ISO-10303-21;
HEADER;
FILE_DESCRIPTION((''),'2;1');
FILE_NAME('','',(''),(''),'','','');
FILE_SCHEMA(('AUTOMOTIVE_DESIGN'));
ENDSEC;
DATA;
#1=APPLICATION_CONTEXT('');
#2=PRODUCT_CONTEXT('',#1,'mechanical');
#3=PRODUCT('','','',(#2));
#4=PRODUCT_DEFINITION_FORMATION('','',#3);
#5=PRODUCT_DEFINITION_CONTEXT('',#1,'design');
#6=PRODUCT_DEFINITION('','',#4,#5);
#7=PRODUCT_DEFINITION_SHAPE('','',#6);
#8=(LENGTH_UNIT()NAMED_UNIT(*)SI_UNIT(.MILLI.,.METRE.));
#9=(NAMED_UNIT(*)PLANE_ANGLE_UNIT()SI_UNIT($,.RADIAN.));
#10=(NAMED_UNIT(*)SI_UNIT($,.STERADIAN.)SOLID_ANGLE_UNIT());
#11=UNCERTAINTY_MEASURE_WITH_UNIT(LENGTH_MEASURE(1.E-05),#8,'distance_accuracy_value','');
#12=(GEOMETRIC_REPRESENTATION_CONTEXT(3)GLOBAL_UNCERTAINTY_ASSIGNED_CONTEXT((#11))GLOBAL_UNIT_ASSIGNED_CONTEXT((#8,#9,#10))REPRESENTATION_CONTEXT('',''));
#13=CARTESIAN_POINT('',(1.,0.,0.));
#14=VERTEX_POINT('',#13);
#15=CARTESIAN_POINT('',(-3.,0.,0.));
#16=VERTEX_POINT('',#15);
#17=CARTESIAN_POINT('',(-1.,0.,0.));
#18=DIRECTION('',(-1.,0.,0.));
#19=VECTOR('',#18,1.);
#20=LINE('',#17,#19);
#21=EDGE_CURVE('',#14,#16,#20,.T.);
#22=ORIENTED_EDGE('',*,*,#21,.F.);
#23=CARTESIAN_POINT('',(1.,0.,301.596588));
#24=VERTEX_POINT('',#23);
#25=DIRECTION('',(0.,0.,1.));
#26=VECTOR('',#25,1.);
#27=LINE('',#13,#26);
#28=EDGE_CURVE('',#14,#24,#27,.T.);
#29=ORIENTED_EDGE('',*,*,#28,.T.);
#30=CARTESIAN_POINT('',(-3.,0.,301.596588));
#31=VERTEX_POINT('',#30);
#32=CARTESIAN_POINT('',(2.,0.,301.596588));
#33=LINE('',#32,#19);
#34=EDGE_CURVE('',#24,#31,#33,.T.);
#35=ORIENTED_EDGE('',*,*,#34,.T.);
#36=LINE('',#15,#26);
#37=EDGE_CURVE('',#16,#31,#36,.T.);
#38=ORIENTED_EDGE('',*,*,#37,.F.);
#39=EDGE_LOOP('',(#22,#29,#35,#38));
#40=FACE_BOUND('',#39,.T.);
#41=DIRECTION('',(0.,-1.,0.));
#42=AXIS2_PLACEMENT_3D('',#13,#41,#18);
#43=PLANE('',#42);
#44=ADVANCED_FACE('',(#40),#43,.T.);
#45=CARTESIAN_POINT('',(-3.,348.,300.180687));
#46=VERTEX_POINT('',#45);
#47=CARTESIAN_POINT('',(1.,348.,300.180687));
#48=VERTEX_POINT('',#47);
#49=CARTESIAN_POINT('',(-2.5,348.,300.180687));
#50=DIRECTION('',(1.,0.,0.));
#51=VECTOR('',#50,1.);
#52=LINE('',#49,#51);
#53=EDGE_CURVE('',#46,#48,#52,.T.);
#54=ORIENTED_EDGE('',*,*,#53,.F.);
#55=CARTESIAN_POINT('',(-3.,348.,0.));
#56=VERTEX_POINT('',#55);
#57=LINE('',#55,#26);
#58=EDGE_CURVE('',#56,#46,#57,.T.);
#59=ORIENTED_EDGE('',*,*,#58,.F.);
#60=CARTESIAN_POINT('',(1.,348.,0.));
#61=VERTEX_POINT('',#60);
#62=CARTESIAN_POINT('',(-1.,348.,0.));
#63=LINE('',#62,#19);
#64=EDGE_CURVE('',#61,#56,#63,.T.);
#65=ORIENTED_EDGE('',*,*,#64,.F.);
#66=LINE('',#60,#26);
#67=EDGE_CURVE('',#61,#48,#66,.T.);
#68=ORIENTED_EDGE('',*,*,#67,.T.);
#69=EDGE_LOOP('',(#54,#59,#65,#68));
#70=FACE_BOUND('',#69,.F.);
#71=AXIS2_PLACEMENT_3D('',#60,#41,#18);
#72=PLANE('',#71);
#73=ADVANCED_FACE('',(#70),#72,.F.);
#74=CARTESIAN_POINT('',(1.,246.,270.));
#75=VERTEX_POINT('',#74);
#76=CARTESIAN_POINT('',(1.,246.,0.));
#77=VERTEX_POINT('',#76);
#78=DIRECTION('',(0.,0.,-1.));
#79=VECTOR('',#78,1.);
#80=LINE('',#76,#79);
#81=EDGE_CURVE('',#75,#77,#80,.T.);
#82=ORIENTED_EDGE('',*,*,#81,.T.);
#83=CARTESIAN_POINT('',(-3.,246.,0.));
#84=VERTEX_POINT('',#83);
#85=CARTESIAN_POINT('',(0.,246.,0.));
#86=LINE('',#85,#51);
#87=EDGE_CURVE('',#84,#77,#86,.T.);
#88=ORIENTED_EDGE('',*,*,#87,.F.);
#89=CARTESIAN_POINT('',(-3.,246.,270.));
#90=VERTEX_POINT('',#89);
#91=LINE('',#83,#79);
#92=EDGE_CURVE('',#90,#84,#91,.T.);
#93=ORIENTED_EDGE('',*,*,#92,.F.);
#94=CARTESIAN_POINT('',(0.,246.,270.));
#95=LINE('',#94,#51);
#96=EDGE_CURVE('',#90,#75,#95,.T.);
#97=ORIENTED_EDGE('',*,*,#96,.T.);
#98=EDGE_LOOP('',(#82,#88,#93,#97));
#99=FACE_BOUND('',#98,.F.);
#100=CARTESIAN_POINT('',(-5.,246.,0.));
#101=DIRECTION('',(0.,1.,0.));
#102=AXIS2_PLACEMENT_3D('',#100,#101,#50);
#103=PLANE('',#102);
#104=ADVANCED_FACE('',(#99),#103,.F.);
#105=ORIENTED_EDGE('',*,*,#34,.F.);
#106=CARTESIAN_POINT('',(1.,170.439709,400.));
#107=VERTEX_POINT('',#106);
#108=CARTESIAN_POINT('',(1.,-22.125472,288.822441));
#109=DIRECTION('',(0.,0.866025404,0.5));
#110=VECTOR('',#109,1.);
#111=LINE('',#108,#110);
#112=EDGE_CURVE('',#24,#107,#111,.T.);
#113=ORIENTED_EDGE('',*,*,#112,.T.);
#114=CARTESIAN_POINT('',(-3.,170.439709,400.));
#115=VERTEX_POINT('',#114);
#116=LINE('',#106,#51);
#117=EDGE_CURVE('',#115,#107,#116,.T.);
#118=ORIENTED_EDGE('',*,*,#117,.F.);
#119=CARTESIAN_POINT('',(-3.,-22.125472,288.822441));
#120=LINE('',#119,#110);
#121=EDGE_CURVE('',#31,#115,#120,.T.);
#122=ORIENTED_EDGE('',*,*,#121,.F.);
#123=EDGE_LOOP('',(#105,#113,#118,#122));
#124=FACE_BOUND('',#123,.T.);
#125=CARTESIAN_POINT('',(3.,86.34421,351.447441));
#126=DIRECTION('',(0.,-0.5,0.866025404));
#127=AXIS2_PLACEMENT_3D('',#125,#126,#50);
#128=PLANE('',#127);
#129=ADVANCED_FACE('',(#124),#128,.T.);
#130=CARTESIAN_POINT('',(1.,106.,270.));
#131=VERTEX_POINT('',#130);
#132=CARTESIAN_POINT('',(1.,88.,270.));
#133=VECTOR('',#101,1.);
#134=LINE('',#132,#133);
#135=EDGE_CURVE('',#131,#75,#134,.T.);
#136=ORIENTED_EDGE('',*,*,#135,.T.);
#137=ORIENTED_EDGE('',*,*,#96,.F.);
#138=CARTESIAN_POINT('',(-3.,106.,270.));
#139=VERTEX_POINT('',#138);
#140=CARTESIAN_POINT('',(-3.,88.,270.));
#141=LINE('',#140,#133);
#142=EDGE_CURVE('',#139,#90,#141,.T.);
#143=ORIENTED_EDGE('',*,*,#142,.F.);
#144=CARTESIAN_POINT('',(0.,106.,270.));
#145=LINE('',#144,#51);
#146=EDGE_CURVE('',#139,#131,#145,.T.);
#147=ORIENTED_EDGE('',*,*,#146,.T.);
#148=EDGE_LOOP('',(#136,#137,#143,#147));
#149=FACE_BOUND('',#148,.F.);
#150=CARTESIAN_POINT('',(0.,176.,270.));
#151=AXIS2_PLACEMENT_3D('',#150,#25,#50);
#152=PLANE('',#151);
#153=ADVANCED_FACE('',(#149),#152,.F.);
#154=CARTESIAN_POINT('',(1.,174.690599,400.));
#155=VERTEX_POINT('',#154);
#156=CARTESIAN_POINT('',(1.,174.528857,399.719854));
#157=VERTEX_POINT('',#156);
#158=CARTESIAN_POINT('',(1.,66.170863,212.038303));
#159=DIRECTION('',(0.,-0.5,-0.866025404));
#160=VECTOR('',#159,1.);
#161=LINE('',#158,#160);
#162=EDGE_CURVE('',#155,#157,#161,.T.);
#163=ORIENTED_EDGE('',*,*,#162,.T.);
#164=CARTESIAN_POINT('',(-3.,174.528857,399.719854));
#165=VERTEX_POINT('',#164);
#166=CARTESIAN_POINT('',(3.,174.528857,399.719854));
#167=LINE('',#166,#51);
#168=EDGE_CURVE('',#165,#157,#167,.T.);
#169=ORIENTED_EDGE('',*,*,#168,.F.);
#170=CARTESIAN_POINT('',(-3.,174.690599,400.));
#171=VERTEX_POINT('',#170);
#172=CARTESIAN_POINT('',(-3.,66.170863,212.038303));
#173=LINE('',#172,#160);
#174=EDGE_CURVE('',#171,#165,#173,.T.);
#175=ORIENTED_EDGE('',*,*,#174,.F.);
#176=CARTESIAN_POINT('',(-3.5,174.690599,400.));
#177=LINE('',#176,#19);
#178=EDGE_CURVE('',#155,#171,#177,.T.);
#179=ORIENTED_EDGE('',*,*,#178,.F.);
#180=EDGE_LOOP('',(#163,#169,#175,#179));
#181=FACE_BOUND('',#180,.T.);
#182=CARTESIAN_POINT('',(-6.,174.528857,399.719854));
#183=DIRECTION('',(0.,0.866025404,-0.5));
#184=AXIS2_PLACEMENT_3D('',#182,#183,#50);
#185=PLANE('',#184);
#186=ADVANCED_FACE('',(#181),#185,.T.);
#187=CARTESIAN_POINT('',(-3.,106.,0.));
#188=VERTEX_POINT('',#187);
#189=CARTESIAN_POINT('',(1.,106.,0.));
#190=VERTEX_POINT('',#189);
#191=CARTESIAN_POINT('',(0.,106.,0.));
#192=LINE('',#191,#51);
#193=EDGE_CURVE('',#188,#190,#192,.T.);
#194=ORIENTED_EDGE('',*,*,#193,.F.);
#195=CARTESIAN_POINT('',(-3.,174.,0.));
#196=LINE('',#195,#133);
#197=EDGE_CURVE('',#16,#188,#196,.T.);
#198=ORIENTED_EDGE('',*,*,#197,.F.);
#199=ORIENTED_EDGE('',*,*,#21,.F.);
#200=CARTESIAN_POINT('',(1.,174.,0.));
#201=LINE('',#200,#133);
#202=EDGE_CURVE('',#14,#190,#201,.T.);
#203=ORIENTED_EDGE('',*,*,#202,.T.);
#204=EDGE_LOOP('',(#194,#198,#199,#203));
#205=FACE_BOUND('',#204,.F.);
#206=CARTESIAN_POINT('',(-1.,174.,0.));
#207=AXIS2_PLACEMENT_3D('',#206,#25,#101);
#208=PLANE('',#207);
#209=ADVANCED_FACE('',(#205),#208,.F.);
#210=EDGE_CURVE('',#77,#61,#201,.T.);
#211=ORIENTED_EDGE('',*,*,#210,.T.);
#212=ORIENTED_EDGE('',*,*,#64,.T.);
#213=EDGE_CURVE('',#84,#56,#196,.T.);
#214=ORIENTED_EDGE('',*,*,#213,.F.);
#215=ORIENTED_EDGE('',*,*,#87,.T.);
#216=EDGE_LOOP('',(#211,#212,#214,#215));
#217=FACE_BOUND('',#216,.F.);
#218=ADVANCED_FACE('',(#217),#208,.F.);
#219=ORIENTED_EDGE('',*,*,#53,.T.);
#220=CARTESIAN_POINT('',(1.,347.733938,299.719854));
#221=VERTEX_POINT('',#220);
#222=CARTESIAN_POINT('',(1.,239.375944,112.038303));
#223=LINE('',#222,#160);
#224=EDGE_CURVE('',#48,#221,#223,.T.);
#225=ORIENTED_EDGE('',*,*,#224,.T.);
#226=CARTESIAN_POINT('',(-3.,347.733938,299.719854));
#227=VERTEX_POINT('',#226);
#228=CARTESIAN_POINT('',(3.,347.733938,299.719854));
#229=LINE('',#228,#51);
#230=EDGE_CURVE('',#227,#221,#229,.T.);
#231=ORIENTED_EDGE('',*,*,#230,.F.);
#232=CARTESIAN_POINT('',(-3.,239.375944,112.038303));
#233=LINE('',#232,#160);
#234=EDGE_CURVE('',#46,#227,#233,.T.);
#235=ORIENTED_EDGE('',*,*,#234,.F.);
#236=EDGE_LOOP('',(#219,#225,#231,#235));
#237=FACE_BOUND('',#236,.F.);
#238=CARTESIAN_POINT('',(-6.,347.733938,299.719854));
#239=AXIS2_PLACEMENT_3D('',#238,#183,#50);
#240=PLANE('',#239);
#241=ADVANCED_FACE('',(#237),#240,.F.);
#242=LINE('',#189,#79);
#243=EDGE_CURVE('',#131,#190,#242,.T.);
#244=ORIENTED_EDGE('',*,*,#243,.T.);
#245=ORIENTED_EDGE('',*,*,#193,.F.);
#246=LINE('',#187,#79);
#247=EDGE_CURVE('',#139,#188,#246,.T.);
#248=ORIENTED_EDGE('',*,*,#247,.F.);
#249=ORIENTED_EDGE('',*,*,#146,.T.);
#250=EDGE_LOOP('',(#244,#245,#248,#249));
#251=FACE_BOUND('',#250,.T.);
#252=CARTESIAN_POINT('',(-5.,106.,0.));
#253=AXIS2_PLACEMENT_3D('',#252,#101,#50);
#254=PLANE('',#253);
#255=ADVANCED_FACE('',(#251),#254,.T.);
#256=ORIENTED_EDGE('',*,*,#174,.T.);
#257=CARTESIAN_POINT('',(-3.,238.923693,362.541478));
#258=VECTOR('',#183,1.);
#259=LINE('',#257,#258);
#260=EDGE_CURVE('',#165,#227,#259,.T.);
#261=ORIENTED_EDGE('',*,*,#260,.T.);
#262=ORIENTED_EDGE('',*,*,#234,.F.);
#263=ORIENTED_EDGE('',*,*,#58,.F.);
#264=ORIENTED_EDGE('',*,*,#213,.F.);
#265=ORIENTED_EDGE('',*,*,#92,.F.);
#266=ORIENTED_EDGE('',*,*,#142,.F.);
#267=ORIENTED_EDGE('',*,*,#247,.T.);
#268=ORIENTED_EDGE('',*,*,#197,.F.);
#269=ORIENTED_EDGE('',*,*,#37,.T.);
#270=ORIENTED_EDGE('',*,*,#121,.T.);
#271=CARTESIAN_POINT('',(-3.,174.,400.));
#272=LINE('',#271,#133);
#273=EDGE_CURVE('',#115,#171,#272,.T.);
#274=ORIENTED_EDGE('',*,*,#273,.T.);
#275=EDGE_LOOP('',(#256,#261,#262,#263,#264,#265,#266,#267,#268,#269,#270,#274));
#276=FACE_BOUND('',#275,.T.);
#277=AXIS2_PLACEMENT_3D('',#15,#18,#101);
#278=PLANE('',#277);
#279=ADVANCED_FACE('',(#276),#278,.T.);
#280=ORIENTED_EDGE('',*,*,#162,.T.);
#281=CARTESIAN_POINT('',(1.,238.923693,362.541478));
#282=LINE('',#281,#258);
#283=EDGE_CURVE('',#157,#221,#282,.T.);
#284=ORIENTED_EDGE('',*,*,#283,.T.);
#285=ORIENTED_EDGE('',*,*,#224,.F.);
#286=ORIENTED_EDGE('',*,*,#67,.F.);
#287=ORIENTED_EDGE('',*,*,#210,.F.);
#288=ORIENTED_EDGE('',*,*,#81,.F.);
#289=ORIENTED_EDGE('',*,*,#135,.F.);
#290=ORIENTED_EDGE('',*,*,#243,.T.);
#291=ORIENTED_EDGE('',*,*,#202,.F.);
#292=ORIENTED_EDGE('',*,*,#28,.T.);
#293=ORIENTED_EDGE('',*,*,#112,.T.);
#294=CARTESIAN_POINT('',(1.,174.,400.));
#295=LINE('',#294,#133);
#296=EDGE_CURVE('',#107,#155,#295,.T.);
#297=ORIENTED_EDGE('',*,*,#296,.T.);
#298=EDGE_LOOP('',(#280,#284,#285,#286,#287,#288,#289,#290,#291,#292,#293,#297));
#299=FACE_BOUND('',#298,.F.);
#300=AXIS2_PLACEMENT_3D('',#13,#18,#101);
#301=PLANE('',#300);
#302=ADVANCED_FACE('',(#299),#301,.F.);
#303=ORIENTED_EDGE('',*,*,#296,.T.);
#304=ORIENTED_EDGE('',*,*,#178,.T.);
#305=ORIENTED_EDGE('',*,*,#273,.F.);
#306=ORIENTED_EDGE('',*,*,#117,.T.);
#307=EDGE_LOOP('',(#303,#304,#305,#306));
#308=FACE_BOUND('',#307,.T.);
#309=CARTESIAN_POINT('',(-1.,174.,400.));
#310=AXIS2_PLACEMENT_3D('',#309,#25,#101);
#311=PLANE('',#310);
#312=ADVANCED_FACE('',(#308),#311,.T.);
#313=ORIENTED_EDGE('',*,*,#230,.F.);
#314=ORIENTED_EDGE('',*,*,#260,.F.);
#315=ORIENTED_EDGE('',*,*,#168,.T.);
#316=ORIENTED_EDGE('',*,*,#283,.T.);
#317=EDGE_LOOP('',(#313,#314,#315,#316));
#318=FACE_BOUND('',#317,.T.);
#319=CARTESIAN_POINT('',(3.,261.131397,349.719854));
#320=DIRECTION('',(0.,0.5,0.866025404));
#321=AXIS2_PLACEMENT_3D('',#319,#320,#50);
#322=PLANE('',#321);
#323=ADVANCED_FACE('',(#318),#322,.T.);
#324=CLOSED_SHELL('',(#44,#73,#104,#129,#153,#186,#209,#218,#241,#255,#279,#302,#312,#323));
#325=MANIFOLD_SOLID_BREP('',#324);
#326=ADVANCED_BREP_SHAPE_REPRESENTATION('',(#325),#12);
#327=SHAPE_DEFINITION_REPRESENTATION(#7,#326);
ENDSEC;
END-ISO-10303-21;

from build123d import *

# Parameters (mm, degrees)
BOX013_W               = 10
BOX013_H               = 140
BOX013_DEPTH           = 270
BOX009_W               = 18
BOX009_H               = 200
BOX009_DEPTH           = 87
BOX009_PLACEMENT_ANGLE = 30
BOX008_W               = 18
BOX008_H               = 200
BOX008_DEPTH           = 87
BOX008_PLACEMENT_ANGLE = 30
BOX007_W               = 348
BOX007_H               = 4
BOX007_DEPTH           = 400


with BuildPart() as door:
    # Box013 → Box013 (new body)
    with BuildSketch(Plane(origin=(-5, 106, 0), x_dir=(1, 0, 0), z_dir=(0, 0, 1))):
        with Locations((5, 70)):
            Rectangle(BOX013_W, BOX013_H)
    extrude(amount=BOX013_DEPTH)


with BuildPart() as box009:
    # Box009 → Box009 (new body)
    with BuildSketch(Plane.XY):
        with Locations((9, 100)):
            Rectangle(BOX009_W, BOX009_H)
    extrude(amount=BOX009_DEPTH)


with BuildPart() as box009_1:
    # Box009 placement: moved
    add(box009.part.moved(Location((598, 174.528857, 399.719854))).rotate(Axis((598, 174.528857, 399.719854), (-1, 0, 0)), BOX009_PLACEMENT_ANGLE))


with BuildPart() as box008:
    # Box008 → Box008 (new body)
    with BuildSketch(Plane.XY):
        with Locations((9, 100)):
            Rectangle(BOX008_W, BOX008_H)
    extrude(amount=BOX008_DEPTH)


with BuildPart() as box008_1:
    # Box008 placement: moved
    add(box008.part.moved(Location((598, -0.25833, 301.447441))).rotate(Axis((598, -0.25833, 301.447441), (1, 0, 0)), BOX008_PLACEMENT_ANGLE))


with BuildPart() as cut004:
    # Box007 → Box007 (new body)
    with BuildSketch(Plane(origin=(605, 0, 0), x_dir=(0, 1, 0), z_dir=(0, 0, 1))):
        with Locations((174, 2)):
            Rectangle(BOX007_W, BOX007_H)
    extrude(amount=BOX007_DEPTH)

    # Cut002: cut Box008
    add(box008_1.part, mode=Mode.SUBTRACT)

    # Cut003: cut Box009
    add(box009_1.part, mode=Mode.SUBTRACT)


with BuildPart() as cut004_1:
    # Cut003 placement: moved
    add(cut004.part.moved(Location((-604, 0, 0))))

    # Cut004: cut Door
    add(door.part, mode=Mode.SUBTRACT)


solid = cut004_1.part
